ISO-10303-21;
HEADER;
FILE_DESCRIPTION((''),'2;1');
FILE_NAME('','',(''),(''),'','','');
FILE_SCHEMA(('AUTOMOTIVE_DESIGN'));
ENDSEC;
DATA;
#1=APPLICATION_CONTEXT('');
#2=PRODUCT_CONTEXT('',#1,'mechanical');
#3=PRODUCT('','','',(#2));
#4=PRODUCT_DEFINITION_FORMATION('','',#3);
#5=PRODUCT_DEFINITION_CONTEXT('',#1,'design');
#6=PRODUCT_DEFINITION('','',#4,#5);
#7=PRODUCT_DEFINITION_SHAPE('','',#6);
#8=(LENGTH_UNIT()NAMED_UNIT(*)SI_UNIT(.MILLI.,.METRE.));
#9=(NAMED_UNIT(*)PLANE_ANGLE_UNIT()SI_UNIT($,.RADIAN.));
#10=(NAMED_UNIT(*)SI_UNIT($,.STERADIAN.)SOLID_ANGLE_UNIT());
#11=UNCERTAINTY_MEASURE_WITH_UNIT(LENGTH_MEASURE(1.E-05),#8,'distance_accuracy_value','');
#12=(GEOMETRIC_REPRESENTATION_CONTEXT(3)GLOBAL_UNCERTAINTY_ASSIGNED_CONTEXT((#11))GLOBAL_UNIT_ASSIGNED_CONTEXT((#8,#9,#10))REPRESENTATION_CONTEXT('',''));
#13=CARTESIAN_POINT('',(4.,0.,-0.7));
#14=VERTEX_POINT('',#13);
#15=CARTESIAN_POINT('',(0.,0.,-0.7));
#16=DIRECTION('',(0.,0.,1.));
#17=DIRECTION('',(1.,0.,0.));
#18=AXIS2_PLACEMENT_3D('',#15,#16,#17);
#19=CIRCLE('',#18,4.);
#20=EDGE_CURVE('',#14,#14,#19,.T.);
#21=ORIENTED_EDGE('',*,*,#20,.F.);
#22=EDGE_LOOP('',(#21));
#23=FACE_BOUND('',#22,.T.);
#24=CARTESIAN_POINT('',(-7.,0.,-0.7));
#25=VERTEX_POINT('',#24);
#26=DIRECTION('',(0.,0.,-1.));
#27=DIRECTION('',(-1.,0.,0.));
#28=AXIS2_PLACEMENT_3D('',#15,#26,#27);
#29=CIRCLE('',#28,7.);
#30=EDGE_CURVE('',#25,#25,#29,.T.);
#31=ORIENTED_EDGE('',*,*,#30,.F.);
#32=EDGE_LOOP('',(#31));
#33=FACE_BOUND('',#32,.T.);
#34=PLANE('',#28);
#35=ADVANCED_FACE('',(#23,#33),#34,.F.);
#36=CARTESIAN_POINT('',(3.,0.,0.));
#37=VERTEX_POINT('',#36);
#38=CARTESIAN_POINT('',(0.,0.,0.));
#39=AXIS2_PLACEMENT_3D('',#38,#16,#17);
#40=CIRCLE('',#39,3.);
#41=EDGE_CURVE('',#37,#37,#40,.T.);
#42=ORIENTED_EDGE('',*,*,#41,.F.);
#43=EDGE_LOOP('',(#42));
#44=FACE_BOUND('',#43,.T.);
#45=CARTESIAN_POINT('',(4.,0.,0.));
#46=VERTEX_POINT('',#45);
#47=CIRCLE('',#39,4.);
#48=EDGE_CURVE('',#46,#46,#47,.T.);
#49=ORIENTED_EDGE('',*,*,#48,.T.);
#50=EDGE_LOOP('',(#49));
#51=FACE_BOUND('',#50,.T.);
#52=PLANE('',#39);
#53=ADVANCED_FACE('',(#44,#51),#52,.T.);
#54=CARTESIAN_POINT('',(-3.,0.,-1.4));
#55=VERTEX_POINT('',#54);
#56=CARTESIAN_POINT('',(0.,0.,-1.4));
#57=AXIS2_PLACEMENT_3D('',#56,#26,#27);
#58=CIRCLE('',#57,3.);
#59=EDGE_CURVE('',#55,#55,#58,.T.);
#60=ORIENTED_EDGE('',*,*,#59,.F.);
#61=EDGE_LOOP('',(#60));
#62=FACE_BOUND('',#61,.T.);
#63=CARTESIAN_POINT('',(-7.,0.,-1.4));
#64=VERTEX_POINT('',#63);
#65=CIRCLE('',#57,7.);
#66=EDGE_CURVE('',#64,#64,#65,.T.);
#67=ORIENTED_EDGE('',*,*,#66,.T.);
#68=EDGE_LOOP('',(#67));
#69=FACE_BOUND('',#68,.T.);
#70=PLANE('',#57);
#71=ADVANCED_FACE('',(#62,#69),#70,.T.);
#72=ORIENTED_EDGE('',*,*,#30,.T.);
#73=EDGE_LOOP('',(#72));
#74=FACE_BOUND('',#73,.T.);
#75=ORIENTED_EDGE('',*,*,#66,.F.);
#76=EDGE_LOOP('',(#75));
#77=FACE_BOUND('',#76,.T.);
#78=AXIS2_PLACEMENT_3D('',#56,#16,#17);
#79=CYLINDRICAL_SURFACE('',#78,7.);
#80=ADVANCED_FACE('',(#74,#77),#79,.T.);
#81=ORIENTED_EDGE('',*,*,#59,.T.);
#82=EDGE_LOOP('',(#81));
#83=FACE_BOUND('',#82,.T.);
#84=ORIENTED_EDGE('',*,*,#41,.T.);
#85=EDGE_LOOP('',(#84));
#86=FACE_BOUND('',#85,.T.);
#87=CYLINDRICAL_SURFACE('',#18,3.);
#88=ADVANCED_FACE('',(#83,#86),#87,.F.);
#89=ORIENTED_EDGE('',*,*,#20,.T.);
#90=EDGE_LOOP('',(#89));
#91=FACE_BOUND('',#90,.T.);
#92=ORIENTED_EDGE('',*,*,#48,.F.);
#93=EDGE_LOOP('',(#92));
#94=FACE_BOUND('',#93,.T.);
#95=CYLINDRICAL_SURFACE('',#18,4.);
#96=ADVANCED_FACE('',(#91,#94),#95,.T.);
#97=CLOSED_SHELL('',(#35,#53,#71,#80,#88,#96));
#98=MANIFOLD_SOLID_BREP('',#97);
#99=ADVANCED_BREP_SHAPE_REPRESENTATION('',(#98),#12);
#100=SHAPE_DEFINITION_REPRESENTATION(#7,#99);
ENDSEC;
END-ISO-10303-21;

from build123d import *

# Parameters (mm, degrees)
SKETCH_1_R      = 4
SKETCH_1_R_2    = 3
EXTRUDE_1_DEPTH = 0.7
SKETCH_2_R      = 7
SKETCH_2_R_2    = 3
EXTRUDE_2_DEPTH = 0.7


with BuildPart() as part:
    # 草图1 → 凸台-拉伸1 (new body)
    with BuildSketch(Plane.XY):
        Circle(SKETCH_1_R)
        Circle(SKETCH_1_R_2, mode=Mode.SUBTRACT)
    extrude(amount=-EXTRUDE_1_DEPTH)

    # 草图2 → 凸台-拉伸2 (add)
    with BuildSketch(Plane(origin=(0, 0, -0.7), x_dir=(-1, 0, 0), z_dir=(0, 0, -1))):
        Circle(SKETCH_2_R)
        with Locations(Location((0, 0, 0), (0, 0, 180))):
            Circle(SKETCH_2_R_2, mode=Mode.SUBTRACT)
    extrude(amount=EXTRUDE_2_DEPTH)


solid = part.part
